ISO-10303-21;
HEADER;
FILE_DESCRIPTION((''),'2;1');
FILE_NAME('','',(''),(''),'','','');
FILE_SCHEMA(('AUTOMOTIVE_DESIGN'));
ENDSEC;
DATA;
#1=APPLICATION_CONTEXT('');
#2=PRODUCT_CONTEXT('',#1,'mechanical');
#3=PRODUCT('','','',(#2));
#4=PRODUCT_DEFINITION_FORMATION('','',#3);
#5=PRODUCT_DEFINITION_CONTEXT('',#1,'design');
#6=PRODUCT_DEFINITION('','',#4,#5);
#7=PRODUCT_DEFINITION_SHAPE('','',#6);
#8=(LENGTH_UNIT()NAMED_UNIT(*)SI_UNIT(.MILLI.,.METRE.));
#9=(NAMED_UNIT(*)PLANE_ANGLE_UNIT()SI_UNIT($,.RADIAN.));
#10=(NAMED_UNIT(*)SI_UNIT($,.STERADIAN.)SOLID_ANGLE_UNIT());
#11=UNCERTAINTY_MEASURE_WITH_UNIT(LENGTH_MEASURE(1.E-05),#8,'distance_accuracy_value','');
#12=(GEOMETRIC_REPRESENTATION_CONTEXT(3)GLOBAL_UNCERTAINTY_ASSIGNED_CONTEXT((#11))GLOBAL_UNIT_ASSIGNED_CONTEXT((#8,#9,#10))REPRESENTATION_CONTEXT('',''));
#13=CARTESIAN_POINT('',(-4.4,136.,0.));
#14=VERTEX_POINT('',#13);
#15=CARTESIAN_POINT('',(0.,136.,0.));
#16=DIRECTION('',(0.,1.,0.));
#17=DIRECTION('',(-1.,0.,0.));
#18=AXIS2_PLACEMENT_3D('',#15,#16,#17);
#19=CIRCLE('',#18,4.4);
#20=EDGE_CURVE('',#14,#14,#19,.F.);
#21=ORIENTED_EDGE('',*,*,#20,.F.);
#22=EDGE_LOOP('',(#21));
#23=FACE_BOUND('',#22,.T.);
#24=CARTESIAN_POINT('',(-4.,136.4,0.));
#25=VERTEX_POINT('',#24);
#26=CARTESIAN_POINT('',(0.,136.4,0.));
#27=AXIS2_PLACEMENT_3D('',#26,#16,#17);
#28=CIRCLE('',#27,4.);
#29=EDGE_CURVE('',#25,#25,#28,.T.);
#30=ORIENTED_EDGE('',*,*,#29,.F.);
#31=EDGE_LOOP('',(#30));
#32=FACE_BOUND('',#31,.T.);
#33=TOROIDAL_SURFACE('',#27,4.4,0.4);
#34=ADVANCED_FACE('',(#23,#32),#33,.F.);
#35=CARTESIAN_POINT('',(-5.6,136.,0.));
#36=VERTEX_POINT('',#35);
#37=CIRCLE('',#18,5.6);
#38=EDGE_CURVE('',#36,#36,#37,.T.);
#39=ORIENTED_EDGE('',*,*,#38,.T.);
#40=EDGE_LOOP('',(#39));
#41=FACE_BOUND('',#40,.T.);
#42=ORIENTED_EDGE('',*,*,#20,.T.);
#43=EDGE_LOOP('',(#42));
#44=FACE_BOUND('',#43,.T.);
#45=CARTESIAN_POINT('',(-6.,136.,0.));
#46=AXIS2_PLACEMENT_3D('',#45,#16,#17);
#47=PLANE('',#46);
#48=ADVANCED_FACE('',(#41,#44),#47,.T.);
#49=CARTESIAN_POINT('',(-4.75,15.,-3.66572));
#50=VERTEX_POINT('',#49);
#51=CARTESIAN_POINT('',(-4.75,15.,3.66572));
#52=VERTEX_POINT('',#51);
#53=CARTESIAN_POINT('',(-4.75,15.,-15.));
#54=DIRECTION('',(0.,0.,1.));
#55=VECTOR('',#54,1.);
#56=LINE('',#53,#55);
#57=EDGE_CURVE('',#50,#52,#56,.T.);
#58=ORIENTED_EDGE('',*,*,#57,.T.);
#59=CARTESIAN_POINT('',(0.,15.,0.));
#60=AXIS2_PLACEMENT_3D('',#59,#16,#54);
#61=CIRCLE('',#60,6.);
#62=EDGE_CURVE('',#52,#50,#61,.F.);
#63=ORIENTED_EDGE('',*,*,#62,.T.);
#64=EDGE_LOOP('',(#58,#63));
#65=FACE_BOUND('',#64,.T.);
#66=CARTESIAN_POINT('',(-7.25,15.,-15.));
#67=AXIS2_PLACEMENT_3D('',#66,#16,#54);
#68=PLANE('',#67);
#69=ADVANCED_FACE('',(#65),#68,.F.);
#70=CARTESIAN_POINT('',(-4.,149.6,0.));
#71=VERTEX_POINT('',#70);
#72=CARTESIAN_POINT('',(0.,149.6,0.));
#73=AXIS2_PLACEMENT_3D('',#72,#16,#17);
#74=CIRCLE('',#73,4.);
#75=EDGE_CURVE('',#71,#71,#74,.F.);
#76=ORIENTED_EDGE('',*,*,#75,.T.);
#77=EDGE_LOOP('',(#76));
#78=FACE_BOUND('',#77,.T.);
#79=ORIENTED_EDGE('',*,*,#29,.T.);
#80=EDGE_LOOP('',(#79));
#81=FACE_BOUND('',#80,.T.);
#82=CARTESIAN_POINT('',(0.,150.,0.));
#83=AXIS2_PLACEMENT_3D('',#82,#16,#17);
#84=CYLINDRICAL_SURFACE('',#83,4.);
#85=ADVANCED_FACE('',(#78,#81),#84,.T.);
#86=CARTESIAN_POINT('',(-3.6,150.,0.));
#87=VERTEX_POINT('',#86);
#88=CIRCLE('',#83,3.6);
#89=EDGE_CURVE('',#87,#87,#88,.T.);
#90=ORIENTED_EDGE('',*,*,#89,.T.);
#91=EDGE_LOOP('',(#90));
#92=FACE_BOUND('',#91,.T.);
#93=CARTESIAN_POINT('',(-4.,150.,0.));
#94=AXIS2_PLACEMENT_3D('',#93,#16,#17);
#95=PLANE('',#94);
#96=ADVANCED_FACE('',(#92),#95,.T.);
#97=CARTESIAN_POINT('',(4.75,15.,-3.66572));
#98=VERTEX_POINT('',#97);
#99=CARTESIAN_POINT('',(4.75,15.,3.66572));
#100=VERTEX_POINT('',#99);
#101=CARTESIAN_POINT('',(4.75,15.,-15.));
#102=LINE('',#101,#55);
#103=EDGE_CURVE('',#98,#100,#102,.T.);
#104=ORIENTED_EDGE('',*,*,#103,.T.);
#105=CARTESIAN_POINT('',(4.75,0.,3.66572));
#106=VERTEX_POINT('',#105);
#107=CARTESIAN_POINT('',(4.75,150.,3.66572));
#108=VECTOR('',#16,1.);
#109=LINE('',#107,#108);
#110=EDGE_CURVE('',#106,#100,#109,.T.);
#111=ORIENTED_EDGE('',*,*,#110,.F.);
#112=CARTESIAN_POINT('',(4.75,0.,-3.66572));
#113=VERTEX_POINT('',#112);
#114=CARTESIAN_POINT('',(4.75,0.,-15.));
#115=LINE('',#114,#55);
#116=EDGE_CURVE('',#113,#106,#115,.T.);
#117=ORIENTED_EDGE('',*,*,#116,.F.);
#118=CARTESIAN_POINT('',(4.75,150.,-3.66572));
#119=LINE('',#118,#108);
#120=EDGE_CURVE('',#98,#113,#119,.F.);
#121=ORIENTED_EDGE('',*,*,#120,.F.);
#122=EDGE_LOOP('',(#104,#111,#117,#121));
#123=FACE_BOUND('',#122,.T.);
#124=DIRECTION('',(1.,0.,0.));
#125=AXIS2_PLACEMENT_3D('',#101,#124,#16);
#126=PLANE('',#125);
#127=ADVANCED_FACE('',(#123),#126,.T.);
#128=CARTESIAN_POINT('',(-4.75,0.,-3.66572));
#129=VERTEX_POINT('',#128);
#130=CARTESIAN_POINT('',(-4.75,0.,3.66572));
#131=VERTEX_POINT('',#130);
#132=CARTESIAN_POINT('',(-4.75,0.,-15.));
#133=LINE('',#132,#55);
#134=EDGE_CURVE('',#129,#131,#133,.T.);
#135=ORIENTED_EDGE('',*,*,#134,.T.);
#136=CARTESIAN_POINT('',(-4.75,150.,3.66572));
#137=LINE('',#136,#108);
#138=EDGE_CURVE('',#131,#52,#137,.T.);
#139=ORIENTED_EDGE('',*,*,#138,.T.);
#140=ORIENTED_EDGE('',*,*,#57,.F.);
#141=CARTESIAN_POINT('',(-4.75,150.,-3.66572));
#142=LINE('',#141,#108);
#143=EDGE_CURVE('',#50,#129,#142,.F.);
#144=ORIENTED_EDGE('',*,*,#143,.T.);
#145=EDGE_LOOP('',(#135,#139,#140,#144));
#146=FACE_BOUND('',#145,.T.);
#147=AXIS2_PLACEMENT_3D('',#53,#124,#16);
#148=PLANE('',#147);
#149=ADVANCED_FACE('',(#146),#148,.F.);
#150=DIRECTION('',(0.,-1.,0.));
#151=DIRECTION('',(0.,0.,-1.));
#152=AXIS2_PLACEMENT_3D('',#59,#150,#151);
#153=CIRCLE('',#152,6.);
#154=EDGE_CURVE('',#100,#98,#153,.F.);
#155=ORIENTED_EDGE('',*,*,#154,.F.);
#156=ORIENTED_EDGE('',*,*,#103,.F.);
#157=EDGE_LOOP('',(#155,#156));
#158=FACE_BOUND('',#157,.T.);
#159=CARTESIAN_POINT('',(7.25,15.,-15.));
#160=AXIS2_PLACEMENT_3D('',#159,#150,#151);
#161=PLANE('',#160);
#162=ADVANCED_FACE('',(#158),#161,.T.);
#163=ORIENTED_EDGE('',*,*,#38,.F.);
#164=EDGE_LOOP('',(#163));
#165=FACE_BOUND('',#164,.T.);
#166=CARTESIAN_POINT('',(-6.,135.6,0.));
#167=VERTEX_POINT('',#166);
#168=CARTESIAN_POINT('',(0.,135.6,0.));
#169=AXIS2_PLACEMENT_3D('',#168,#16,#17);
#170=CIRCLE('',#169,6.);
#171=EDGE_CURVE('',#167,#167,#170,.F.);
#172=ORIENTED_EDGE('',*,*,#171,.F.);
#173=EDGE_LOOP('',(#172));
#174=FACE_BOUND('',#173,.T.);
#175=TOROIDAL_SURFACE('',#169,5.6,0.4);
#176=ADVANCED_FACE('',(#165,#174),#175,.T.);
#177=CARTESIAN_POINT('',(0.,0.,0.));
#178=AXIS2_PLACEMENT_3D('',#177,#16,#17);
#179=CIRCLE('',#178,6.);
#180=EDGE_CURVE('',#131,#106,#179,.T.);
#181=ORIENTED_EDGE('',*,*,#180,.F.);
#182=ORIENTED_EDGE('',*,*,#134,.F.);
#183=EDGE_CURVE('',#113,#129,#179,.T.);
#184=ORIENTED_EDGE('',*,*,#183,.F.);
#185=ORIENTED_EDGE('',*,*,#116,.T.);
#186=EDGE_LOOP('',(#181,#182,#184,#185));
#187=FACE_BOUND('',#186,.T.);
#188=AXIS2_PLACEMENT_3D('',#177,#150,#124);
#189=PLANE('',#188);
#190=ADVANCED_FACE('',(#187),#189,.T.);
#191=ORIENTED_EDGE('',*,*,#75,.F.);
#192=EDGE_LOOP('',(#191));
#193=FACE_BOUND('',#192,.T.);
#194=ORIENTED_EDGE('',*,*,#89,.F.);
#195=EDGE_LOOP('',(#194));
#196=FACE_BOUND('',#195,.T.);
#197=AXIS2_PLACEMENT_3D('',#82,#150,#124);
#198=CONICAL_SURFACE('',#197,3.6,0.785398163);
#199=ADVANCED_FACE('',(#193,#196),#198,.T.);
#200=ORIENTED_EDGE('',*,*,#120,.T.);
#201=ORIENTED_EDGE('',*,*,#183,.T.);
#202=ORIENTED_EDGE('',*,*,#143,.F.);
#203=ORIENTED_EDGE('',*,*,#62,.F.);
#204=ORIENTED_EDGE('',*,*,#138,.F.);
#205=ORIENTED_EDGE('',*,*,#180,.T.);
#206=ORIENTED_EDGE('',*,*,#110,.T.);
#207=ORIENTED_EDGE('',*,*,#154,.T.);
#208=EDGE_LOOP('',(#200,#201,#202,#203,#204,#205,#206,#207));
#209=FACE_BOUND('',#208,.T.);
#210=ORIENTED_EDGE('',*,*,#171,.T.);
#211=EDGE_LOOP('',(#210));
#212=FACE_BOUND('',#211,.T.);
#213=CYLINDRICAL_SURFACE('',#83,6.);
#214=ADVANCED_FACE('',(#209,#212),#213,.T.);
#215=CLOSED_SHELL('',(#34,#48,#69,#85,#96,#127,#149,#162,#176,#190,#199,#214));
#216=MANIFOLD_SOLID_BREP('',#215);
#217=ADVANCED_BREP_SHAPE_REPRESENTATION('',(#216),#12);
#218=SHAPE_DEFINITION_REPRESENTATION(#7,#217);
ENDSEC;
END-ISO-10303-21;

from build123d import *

# Parameters (mm, degrees)
SKETCH2_W          = 2.5
SKETCH2_H          = 15
CUT_EXTRUDE1_DEPTH = 15
CHAMFER1_SIZE      = 0.4
FILLET1_R          = 0.4


with BuildPart() as part:
    # Sketch1 → Revolve1 (revolve)
    with BuildSketch(Plane.XY):
        Polygon((0, 0), (-6, 0), (-6, 136), (-4, 136), (-4, 150), (0, 150), align=None)
    revolve(axis=Axis((0, 150, 0), (0, -1, 0)))

    # Sketch2 → Cut-Extrude1 (cut, symmetric)
    with BuildSketch(Plane.XY):
        with Locations((-6, 7.5)):
            Rectangle(SKETCH2_W, SKETCH2_H)
    cut_extrude1 = extrude(amount=CUT_EXTRUDE1_DEPTH, both=True, mode=Mode.SUBTRACT)

    # Mirror1: Cut-Extrude1 across plane
    add(cut_extrude1.mirror(Plane(origin=(0, 0, 0), x_dir=(0, 0, 1), z_dir=(1, 0, 0))), mode=Mode.SUBTRACT)

    # Chamfer1
    chamfer1_edges = [part.edges().sort_by_distance(p)[0] for p in [
        (4, 150, 0),
    ]]
    chamfer(chamfer1_edges, length=CHAMFER1_SIZE)

    # Fillet1
    fillet1_edges = [part.edges().sort_by_distance(p)[0] for p in [
        (4, 136, 0),
        (6, 136, 0),
    ]]
    fillet(fillet1_edges, radius=FILLET1_R)


solid = part.part
